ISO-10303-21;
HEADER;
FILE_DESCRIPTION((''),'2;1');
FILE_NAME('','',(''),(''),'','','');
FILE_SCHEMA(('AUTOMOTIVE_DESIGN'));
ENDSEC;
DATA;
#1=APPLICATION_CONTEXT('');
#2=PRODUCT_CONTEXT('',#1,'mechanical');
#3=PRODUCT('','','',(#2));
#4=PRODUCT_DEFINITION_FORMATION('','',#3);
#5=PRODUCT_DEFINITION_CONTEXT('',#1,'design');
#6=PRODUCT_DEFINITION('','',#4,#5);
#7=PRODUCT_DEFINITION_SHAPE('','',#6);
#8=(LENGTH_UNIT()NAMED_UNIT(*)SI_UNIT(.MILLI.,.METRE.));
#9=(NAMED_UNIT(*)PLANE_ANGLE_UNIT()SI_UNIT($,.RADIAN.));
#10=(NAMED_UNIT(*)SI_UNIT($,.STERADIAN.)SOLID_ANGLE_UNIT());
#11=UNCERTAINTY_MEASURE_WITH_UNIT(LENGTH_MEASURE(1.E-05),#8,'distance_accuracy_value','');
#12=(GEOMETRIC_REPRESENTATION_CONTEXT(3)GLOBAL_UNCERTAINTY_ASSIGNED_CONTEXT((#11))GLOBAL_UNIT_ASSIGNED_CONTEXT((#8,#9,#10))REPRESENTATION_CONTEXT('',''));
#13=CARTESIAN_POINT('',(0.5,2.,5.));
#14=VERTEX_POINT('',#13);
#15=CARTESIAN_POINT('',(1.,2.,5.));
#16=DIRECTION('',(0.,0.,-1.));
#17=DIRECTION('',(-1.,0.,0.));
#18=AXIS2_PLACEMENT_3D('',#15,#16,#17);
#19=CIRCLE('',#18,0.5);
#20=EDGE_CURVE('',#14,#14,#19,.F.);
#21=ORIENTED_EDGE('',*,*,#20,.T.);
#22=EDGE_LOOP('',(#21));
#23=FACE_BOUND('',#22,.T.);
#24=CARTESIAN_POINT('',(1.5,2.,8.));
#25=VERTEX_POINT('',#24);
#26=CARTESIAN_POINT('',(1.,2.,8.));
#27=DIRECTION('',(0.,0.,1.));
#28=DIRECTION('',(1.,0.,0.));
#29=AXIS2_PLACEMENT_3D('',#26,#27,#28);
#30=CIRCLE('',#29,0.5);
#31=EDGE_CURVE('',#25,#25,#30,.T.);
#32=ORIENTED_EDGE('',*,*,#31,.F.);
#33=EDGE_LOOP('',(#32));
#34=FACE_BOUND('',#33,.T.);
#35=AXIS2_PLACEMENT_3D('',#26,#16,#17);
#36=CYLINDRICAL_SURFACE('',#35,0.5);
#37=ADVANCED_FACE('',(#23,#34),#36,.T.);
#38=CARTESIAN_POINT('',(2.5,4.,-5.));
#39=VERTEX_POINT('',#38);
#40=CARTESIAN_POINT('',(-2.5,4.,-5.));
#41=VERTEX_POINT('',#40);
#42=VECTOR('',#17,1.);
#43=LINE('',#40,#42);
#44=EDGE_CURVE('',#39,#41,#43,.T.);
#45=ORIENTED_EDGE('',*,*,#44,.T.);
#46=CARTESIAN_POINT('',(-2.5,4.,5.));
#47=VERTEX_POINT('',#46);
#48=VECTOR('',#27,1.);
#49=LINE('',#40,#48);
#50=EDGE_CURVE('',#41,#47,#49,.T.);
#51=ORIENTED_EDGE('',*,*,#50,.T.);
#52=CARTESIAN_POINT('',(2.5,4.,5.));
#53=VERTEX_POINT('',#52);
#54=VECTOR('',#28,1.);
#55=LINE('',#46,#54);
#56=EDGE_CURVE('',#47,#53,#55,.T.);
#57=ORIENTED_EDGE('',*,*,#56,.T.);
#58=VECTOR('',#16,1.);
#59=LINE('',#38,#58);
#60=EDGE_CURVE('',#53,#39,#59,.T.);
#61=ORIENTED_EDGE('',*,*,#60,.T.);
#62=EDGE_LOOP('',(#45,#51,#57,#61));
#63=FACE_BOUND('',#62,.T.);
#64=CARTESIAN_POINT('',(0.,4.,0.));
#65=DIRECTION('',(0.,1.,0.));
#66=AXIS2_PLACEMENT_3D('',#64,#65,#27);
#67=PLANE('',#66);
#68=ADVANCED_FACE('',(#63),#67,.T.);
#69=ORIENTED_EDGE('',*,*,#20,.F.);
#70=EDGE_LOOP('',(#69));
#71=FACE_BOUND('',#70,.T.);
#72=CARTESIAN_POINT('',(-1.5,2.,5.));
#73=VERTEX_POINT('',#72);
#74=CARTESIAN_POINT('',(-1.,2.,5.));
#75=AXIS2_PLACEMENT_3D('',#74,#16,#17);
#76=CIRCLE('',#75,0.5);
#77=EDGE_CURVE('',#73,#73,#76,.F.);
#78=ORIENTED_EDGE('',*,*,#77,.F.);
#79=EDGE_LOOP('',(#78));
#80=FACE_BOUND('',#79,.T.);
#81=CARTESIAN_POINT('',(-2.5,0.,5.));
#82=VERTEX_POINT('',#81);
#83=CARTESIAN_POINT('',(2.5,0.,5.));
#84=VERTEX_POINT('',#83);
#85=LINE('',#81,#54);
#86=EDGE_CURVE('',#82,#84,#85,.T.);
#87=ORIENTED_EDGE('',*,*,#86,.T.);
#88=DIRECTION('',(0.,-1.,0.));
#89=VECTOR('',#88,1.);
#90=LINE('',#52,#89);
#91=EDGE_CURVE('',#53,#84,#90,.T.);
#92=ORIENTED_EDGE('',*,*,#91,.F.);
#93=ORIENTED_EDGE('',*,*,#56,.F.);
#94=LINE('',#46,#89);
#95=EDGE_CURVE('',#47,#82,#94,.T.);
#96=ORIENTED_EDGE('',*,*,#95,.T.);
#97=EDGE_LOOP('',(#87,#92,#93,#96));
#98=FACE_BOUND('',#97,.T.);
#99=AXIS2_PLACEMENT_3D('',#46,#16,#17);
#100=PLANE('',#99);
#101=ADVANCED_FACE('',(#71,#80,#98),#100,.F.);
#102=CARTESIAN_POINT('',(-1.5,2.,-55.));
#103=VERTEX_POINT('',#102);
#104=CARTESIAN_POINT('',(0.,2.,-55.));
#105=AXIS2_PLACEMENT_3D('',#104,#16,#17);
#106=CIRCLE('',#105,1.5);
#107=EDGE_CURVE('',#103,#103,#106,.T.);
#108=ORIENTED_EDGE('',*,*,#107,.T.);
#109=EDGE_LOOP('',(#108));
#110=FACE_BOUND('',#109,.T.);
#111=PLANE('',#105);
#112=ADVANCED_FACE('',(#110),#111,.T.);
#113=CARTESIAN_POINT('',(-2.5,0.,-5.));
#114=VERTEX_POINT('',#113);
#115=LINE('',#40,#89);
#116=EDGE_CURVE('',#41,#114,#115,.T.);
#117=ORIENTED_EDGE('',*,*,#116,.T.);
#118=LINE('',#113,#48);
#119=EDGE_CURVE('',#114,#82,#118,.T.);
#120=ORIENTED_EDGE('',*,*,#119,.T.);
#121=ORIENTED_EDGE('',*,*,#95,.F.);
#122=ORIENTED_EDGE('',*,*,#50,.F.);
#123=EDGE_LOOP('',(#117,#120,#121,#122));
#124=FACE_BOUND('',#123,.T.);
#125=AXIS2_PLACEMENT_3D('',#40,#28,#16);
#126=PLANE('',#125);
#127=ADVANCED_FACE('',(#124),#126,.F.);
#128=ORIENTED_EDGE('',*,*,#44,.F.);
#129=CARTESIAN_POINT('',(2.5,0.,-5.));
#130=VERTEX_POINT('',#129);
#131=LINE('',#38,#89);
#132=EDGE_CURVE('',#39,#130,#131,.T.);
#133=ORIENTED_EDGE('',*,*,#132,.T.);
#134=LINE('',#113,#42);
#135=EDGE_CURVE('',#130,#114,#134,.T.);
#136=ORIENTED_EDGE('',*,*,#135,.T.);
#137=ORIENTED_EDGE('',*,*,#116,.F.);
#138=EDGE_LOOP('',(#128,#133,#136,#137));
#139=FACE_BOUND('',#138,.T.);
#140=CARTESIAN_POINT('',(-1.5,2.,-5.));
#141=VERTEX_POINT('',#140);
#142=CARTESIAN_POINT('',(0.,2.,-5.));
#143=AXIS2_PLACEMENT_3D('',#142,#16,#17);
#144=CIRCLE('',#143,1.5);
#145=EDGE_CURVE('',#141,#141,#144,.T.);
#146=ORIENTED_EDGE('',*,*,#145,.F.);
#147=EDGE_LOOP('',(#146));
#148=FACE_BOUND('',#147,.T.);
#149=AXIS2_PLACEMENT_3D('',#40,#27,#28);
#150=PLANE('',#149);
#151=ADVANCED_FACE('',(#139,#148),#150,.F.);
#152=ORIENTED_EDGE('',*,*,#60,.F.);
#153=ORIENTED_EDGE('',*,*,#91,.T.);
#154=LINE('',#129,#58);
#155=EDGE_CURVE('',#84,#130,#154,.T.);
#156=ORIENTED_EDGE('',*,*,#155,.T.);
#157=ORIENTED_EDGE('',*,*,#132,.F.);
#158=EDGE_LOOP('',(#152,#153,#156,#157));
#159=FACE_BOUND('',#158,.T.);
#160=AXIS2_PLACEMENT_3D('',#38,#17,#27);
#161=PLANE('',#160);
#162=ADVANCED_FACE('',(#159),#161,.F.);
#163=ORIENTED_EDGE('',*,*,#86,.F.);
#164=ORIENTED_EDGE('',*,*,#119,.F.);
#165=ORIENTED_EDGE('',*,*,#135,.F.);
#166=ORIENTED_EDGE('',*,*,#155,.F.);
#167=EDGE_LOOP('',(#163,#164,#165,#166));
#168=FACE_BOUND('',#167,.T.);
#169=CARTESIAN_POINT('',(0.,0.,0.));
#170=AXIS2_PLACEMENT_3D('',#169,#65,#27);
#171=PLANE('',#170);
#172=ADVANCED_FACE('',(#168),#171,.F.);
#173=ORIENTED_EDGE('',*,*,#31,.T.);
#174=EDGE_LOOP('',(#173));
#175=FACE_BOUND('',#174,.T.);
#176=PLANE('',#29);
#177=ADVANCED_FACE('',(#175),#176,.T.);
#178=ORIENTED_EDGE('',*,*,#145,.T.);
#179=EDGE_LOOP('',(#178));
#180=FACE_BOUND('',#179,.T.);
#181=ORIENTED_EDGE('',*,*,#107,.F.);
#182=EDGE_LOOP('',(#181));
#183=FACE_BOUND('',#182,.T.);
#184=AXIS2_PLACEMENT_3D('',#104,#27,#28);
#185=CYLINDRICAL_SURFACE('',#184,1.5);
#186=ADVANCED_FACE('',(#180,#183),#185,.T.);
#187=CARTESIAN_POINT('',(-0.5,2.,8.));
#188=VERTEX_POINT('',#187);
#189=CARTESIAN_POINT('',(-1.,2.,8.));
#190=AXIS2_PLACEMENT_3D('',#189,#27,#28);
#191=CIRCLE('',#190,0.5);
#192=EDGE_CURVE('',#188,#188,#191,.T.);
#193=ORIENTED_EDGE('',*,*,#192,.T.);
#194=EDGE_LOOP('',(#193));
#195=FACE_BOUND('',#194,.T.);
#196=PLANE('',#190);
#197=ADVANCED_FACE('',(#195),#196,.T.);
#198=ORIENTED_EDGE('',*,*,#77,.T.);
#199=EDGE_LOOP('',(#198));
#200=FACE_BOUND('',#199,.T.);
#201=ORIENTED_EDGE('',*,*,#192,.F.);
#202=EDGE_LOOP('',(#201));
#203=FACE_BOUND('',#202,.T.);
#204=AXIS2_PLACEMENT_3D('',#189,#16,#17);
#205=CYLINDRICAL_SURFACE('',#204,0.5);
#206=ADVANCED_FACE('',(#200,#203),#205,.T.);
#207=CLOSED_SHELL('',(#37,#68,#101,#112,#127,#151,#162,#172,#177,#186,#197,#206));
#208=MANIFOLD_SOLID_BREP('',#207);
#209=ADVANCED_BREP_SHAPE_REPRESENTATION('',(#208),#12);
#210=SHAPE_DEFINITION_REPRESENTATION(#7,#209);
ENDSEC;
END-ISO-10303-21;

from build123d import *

# Parameters (mm, degrees)
SKETCH2_W           = 5
SKETCH2_H           = 10
BOSS_EXTRUDE1_DEPTH = 4
SKETCH4_R           = 0.5
BOSS_EXTRUDE2_DEPTH = 3
SKETCH5_R           = 1.5
BOSS_EXTRUDE3_DEPTH = 50


with BuildPart() as part:
    # Sketch2 → Boss-Extrude1 (new body)
    with BuildSketch(Plane(origin=(0, 0, 0), x_dir=(1, 0, 0), z_dir=(0, 1, 0))):
        Rectangle(SKETCH2_W, SKETCH2_H)
    extrude(amount=BOSS_EXTRUDE1_DEPTH)

    # Sketch4 → Boss-Extrude2 (add)
    with BuildSketch(Plane.XY.offset(5)):
        with Locations(Location((-1, 2, 0), (0, 0, 180))):
            Circle(SKETCH4_R)
        with Locations(Location((1, 2, 0), (0, 0, 180))):
            Circle(SKETCH4_R)
    extrude(amount=BOSS_EXTRUDE2_DEPTH)

    # Sketch5 → Boss-Extrude3 (add)
    with BuildSketch(Plane(origin=(0, 0, -5), x_dir=(-1, 0, 0), z_dir=(0, 0, -1))):
        with Locations((0, 2)):
            Circle(SKETCH5_R)
    extrude(amount=BOSS_EXTRUDE3_DEPTH)


solid = part.part
